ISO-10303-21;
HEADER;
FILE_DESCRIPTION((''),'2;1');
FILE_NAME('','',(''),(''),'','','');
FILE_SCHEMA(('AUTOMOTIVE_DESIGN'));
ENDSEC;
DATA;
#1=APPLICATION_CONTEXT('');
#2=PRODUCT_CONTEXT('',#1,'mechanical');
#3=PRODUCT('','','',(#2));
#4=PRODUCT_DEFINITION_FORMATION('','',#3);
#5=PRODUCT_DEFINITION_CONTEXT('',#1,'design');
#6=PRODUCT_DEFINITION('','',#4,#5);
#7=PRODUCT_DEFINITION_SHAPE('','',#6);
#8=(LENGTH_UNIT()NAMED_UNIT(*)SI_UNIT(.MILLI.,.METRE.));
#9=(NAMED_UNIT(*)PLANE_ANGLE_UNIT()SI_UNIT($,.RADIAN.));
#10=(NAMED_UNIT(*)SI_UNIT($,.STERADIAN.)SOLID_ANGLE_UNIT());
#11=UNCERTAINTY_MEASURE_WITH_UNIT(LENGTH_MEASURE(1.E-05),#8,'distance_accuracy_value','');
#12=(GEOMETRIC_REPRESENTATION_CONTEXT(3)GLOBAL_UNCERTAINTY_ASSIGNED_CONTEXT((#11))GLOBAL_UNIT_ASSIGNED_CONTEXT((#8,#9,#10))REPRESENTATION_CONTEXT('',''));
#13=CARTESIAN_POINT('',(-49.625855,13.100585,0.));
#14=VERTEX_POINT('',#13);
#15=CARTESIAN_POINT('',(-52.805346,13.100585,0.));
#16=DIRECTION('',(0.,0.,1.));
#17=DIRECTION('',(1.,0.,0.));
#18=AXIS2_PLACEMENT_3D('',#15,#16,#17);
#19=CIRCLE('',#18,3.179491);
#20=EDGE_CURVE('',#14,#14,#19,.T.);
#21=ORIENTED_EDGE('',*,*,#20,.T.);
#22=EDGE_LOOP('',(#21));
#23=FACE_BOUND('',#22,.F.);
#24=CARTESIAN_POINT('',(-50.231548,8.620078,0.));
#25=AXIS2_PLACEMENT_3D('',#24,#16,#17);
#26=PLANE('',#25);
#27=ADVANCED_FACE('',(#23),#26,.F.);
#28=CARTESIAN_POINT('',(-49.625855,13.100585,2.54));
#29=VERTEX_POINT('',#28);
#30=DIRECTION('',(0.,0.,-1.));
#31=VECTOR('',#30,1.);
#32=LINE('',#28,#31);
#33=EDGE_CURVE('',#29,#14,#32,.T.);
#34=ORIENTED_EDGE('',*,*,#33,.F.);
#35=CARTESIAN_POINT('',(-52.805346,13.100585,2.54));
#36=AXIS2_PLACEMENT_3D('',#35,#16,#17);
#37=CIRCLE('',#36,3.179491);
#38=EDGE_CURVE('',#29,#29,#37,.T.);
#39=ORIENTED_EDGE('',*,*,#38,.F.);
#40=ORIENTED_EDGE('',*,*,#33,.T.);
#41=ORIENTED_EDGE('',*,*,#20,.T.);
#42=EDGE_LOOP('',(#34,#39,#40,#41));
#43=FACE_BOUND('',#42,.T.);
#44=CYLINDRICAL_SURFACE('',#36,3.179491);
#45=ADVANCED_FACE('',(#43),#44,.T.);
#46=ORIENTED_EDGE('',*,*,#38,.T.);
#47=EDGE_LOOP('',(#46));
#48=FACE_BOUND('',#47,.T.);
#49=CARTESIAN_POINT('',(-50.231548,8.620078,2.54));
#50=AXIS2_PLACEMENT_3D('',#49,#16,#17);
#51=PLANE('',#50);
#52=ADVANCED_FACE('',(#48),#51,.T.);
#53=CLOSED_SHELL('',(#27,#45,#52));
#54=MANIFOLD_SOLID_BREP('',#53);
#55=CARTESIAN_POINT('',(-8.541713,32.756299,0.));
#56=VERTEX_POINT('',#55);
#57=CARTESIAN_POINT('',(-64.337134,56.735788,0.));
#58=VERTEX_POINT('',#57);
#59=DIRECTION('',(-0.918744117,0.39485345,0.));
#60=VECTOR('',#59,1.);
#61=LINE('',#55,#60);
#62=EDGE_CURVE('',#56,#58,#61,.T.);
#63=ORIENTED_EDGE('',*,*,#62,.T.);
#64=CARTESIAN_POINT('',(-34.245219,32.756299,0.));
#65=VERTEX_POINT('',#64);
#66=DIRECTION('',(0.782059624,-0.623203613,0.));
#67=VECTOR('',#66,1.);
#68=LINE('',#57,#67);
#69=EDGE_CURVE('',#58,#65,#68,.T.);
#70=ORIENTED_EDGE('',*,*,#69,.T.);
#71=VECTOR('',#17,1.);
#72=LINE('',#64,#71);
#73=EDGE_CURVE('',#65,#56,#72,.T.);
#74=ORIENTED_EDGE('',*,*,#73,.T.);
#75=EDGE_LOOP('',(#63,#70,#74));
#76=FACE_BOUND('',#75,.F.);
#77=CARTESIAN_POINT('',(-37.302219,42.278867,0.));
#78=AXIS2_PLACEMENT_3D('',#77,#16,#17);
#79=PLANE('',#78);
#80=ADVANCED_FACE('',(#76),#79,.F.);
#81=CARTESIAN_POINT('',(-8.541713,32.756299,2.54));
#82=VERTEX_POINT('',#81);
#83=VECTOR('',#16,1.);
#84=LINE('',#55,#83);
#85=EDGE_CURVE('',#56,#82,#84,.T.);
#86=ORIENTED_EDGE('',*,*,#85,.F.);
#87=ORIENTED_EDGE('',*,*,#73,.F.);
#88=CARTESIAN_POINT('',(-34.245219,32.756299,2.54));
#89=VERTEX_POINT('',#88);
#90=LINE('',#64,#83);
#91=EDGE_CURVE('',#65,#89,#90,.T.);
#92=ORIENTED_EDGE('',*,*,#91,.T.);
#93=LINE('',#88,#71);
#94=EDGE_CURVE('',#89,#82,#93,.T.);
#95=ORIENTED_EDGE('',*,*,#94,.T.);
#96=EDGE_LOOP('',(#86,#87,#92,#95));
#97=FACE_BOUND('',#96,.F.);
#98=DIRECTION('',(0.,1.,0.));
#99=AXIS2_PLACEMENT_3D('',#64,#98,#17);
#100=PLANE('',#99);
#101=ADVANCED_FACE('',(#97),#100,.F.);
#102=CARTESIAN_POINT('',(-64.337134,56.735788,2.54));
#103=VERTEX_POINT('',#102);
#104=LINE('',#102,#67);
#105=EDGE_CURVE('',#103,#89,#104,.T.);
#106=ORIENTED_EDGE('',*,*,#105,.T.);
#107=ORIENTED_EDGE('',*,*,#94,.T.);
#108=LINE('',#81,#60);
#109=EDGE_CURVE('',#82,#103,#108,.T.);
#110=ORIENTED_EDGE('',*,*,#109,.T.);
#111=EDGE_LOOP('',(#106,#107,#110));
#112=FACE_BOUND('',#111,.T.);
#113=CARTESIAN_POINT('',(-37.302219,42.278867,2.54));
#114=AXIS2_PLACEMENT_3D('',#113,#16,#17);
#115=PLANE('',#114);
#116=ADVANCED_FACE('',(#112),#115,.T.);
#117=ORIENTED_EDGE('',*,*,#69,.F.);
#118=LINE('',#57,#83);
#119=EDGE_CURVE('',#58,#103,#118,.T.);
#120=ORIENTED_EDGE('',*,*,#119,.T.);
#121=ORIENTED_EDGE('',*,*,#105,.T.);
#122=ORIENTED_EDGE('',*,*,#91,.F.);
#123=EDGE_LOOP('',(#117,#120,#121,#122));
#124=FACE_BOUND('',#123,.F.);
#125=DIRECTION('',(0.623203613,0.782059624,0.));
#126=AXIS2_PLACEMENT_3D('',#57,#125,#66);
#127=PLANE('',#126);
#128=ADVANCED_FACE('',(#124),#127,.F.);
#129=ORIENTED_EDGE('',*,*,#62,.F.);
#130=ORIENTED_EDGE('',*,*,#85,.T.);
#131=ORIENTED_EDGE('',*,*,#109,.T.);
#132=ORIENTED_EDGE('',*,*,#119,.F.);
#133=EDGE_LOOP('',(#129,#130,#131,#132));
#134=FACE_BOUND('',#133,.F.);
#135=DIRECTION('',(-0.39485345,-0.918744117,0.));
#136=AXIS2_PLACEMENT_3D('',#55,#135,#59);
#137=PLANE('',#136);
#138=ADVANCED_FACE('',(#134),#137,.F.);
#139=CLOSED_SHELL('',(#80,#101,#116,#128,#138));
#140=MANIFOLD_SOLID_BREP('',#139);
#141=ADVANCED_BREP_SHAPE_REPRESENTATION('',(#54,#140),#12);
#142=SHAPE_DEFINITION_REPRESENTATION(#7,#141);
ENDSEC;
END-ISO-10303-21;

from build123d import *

# Parameters (mm, degrees)
F0_W     = 18.807444
F0_H     = 20.37473
F1_DEPTH = 2.54
F2_W     = 18.807444
F2_H     = 20.37473
F2_R     = 3.179491
F3_DEPTH = 25.4


with BuildPart() as f1:
    # F0 (on Top) → F1 (new body)
    with BuildSketch(Plane.XY):
        Polygon((-8.541713, 32.756299), (-64.337134, 56.735788), (-34.245219, 32.756299), align=None)
        with Locations((-50.231548, 8.620078)):
            Rectangle(F0_W, F0_H)
    extrude(amount=F1_DEPTH)

    # F2 (on face) → F3 (cut)
    with BuildSketch(Plane.XY.offset(2.54)):
        with Locations((-50.231548, 8.620078)):
            Rectangle(F2_W, F2_H)
        with Locations((-52.805346, 13.100585)):
            Circle(F2_R, mode=Mode.SUBTRACT)
    extrude(amount=-F3_DEPTH, mode=Mode.SUBTRACT)


solid = f1.part
